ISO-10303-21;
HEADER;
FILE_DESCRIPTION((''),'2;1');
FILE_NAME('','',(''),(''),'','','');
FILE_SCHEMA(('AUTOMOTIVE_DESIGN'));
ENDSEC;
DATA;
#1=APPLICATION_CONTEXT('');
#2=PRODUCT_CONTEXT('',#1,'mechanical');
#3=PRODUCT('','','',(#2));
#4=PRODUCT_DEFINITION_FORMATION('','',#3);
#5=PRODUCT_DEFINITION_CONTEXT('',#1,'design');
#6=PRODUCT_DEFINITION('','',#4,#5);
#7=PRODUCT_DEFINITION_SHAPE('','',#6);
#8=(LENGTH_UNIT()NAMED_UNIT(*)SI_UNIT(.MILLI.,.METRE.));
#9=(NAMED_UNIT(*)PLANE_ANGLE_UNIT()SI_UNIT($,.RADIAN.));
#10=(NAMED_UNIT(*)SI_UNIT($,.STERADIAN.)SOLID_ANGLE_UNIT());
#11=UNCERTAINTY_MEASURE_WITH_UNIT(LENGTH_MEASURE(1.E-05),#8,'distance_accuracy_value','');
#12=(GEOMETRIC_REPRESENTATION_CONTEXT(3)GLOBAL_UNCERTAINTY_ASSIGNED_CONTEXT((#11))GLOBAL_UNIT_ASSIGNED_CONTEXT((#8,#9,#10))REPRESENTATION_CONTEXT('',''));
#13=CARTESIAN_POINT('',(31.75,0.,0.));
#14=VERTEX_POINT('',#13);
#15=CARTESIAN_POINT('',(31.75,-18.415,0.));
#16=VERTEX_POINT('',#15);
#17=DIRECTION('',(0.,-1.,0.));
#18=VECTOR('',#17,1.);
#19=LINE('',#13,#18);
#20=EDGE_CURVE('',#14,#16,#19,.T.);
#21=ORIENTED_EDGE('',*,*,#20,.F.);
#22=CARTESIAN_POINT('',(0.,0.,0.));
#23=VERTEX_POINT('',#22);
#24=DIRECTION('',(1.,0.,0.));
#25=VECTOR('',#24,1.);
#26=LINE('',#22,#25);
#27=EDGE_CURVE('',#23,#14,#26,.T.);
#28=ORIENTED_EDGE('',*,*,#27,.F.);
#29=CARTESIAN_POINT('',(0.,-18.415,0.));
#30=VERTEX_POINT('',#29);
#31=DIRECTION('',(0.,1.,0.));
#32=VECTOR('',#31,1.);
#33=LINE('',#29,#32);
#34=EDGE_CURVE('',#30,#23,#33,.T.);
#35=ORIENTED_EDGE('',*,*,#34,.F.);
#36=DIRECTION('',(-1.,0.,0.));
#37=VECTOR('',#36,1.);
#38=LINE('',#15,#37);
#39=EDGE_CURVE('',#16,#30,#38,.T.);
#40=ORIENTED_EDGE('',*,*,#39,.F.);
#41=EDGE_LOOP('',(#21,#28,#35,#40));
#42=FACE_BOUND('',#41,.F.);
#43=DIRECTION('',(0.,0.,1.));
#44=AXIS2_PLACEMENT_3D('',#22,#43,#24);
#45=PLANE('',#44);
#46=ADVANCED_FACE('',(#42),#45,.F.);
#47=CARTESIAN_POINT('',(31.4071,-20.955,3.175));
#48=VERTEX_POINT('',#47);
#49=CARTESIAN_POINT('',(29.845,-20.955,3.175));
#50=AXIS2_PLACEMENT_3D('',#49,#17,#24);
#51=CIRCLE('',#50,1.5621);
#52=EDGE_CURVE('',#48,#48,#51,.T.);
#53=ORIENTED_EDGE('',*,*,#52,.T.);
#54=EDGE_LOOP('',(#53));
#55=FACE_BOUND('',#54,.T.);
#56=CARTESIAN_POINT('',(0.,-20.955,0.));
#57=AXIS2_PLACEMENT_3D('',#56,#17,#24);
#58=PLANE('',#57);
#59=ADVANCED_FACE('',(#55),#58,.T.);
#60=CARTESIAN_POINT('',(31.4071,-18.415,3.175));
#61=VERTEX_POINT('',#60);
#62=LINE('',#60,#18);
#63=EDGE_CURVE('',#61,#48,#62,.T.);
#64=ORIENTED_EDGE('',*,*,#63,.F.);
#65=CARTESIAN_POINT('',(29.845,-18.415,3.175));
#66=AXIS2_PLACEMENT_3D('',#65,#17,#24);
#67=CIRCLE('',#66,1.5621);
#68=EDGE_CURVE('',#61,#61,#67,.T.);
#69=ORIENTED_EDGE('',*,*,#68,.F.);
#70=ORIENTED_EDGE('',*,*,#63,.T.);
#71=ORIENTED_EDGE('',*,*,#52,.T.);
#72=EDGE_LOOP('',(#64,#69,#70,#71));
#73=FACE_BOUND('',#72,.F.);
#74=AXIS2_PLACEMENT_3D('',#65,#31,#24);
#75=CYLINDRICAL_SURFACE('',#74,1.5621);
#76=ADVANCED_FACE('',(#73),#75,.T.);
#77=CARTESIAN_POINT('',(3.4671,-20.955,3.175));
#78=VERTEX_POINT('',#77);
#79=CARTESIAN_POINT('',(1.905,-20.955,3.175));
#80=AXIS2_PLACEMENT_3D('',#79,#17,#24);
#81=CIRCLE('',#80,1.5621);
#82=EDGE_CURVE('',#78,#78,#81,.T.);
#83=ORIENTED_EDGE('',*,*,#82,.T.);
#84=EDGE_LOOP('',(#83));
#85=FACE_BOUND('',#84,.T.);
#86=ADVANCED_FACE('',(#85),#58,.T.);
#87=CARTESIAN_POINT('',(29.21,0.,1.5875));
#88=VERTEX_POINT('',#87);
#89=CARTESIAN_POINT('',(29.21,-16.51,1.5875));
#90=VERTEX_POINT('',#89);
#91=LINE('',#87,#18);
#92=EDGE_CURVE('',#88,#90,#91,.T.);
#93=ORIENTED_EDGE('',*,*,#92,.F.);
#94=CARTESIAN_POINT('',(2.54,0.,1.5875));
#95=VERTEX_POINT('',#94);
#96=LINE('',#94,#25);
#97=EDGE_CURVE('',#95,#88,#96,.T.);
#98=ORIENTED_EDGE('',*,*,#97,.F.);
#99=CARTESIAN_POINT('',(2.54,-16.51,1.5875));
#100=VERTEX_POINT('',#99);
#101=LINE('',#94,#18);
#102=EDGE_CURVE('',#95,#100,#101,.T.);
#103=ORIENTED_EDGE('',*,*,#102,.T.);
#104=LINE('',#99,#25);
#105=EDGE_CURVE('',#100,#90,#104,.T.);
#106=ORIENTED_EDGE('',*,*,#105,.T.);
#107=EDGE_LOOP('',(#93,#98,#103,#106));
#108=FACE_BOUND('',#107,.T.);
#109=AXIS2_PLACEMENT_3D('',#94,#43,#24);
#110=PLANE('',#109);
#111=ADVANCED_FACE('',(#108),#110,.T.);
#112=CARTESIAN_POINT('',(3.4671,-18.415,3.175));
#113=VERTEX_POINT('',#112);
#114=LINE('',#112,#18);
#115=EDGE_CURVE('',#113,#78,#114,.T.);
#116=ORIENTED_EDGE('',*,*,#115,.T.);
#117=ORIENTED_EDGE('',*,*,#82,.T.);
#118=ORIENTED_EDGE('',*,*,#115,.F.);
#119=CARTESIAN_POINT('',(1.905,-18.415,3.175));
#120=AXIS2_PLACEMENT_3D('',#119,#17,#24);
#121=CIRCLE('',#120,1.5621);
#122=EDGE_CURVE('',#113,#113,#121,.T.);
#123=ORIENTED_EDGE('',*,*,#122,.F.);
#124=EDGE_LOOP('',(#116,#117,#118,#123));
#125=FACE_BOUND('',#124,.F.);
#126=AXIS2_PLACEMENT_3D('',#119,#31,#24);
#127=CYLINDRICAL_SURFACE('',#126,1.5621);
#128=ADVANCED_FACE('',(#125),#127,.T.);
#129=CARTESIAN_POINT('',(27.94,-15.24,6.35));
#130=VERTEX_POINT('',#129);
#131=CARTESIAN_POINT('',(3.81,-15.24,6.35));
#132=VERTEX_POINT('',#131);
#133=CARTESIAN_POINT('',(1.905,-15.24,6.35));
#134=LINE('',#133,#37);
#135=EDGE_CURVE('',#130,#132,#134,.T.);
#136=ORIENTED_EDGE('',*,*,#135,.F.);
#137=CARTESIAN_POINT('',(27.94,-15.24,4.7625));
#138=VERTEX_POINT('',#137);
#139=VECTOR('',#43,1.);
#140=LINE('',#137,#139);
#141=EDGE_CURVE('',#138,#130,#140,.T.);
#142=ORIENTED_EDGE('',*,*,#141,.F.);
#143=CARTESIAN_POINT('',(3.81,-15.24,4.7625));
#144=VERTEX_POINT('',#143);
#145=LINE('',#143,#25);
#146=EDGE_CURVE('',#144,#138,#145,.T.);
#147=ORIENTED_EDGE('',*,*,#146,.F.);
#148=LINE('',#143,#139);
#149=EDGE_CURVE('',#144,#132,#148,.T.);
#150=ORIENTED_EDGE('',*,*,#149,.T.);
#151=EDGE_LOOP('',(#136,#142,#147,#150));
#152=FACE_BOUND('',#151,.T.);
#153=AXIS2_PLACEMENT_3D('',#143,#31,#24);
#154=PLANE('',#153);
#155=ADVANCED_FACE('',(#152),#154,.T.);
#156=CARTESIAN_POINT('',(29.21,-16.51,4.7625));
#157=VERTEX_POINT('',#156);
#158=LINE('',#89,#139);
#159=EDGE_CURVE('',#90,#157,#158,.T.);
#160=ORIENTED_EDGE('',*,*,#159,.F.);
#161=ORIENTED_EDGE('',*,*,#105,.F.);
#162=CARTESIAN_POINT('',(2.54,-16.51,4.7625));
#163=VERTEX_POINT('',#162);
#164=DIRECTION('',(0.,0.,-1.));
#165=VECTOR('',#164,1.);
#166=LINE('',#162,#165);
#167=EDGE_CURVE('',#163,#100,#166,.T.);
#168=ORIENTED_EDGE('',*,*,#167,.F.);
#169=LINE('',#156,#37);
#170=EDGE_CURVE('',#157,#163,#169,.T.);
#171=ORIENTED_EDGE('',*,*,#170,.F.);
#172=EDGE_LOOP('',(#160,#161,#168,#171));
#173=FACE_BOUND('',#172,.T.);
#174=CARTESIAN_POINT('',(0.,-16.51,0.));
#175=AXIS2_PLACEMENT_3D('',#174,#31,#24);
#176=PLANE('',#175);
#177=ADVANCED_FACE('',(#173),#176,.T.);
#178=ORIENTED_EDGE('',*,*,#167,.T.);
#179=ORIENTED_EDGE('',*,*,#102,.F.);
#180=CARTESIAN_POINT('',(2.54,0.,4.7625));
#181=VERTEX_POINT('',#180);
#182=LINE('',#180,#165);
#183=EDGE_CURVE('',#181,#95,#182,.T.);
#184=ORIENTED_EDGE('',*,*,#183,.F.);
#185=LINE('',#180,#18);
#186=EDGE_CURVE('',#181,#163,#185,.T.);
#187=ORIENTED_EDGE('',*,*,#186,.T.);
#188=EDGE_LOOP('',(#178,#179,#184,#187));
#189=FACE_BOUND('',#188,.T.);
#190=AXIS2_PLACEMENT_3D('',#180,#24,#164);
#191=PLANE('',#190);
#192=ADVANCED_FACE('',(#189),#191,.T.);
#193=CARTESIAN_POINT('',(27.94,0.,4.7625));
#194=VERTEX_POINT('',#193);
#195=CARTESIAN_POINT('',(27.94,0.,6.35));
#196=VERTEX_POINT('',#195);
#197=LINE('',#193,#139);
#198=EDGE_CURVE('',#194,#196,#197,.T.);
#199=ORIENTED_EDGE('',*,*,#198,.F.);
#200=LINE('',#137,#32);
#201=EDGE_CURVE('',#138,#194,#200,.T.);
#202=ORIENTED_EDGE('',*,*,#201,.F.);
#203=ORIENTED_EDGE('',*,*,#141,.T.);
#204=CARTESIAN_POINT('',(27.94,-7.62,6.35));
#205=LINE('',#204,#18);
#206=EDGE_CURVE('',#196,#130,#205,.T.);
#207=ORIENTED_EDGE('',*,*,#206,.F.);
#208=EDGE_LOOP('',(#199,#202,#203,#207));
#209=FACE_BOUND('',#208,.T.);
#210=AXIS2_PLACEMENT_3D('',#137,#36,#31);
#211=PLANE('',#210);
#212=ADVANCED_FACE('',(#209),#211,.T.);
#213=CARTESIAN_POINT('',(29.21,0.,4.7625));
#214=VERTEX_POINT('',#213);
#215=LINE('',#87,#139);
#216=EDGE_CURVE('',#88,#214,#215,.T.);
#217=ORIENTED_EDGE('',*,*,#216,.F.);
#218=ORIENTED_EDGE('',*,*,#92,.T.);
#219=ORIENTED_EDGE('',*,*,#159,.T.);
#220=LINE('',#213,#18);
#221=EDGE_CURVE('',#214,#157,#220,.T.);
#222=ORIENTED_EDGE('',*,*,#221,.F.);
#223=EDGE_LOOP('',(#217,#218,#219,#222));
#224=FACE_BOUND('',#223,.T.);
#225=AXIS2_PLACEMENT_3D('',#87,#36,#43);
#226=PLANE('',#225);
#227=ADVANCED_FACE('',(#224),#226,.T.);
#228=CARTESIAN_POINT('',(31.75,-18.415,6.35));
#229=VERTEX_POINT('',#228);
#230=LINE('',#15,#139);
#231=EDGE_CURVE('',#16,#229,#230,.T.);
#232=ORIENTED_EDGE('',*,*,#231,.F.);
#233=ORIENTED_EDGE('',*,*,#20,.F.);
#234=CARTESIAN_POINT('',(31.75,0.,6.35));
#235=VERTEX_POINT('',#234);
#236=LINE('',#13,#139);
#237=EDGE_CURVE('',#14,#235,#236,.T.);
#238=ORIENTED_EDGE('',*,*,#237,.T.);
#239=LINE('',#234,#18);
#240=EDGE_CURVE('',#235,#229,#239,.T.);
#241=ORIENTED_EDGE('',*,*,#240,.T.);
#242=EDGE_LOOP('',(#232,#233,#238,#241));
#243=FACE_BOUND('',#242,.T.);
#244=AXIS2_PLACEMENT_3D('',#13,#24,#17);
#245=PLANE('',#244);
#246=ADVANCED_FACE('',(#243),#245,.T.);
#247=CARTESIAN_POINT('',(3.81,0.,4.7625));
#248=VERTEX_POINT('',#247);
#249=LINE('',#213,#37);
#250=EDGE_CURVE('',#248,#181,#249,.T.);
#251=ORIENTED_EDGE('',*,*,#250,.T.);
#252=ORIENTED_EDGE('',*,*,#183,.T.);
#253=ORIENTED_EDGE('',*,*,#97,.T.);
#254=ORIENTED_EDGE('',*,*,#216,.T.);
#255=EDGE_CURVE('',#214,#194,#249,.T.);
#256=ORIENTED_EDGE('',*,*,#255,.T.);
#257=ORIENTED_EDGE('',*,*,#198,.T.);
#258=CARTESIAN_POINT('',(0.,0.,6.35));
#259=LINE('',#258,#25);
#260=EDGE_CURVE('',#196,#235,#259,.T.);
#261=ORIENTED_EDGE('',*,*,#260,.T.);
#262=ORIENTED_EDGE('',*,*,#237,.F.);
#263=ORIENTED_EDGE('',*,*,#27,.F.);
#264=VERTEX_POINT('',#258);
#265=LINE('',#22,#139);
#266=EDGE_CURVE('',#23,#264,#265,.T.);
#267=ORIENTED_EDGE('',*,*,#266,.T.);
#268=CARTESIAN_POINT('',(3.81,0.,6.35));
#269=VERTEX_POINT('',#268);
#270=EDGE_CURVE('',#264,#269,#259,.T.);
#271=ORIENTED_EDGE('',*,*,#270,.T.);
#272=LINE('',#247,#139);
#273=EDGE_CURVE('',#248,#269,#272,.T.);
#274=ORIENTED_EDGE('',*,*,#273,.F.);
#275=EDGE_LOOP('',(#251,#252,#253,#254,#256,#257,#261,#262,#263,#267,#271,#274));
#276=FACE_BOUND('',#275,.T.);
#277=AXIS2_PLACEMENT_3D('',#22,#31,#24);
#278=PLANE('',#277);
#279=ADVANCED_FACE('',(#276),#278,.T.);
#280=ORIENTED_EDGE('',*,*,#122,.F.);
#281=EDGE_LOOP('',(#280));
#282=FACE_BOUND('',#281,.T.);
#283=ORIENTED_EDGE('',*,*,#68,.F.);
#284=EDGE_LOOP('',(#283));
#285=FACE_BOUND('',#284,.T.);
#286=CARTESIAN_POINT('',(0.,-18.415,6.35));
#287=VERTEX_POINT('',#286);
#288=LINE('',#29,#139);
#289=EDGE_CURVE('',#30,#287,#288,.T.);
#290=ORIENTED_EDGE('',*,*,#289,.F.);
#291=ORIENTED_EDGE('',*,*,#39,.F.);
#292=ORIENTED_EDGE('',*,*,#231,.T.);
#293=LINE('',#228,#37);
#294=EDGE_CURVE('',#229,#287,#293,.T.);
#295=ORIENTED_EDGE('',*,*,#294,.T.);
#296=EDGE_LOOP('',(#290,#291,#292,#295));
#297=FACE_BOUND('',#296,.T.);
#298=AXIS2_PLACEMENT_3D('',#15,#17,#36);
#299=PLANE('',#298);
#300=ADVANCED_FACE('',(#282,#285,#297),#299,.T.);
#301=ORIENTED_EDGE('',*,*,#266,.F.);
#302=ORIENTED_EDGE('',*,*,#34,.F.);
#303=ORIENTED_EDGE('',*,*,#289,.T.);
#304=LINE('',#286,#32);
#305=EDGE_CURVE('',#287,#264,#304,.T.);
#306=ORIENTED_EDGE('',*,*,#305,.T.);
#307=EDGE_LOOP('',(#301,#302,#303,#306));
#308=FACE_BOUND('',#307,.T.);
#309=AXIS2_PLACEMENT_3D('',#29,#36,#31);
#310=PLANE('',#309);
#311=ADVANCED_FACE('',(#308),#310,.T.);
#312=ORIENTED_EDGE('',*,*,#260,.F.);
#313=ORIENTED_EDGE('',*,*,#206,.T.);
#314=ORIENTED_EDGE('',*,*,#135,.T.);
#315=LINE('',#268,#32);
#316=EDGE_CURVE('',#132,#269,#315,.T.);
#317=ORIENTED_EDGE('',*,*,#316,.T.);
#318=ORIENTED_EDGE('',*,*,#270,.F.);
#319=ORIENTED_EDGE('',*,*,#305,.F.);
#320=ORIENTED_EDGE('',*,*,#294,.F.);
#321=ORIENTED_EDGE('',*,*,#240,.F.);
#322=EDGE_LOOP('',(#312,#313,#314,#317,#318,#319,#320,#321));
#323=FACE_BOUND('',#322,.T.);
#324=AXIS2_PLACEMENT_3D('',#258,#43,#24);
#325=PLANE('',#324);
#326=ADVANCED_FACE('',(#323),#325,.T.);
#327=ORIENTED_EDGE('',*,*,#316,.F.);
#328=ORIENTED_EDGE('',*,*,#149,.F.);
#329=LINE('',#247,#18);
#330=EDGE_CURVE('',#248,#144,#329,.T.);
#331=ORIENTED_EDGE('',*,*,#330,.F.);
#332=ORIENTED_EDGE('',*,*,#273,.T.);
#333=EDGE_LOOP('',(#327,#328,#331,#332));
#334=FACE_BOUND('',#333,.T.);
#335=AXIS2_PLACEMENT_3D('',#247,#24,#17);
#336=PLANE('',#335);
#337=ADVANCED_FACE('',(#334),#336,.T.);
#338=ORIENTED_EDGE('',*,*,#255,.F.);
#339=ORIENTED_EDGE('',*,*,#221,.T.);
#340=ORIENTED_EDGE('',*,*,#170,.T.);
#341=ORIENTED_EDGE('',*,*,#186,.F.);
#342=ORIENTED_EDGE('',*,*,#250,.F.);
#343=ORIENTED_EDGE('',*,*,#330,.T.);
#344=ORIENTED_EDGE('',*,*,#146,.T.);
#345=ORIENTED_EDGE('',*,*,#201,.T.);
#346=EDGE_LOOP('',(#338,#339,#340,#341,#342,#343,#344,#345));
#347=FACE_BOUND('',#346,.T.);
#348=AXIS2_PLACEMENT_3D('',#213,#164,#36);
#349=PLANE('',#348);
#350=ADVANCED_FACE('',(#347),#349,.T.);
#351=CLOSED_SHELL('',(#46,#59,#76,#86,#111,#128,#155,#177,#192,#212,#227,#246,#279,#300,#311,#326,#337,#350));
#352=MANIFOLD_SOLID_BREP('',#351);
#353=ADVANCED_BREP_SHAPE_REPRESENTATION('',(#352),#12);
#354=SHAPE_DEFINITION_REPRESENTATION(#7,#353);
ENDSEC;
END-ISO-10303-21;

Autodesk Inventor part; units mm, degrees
ref_plane "YZ Plane" through (0, 0, 0) normal (1, 0, 0) x (0, 1, 0)
ref_plane "XZ Plane" through (0, 0, 0) normal (0, 1, 0) x (-1, 0, 0)
ref_plane "XY Plane" through (0, 0, 0) normal (0, 0, 1) x (1, 0, 0)
sketch "Sketch1" plane through (0, 0, 0) normal (0, 0, 1) x (1, 0, 0)
  line L0 (0, 0) -> (31.75, 0)
  line L1 (31.75, 0) -> (31.75, -18.415)
  line L2 (31.75, -18.415) -> (0, -18.415)
  line L3 (0, -18.415) -> (0, 0)
  dimension "d0" = 31.75
  dimension "d1" = 18.415
extrude "Extrusion1" add sketch "Sketch1" along normal blind 6.35
sketch "Sketch2" plane through (0, 0, 0) normal (0, 1, 0) x (1, 0, 0)
  line L0 (2.54, -1.5875) -> (29.21, -1.5875)
  line L1 (29.21, -1.5875) -> (29.21, -4.7625)
  line L2 (29.21, -4.7625) -> (2.54, -4.7625)
  line L3 (2.54, -4.7625) -> (2.54, -1.5875)
  line L4 (0, 0) -> (0, -6.35) projected
  line L5 (31.75, -6.35) -> (0, -6.35) projected
  dimension "d4" = 26.67
  dimension "d5" = 2.54
  dimension "d6" = 3.175
  dimension "d7" = 1.5875
extrude "Extrusion2" cut sketch "Sketch2" against normal blind 16.51
sketch "Sketch3" plane through (29.21, 0, 4.7625) normal (0, 0, -1) x (-1, 0, 0)
  line L0 (1.27, 0) -> (25.4, 0)
  line L1 (25.4, 0) -> (25.4, -15.24)
  line L2 (25.4, -15.24) -> (1.27, -15.24)
  line L3 (1.27, -15.24) -> (1.27, 0)
  line L4 (26.67, -16.51) -> (0, -16.51) projected
  line L5 (26.67, 0) -> (26.67, -16.51) projected
  line L6 (0, 0) -> (0, -16.51) projected
  line L7 (0, 0) -> (26.67, 0) projected
  point P0 (29.21, 0)
  dimension "d10" = 1.27
  dimension "d11" = 1.27
  dimension "d12" = 1.27
  dimension "d13" = 0
extrude "Extrusion3" cut sketch "Sketch3" against normal blind 16.51 contours L0 L1 L2 L3
sketch "Sketch4" plane through (0, -18.415, 0) normal (0, -1, 0) x (1, 0, 0)
  circle A0 centre (1.905, 3.175) radius 1.5621
  circle A1 centre (29.845, 3.175) radius 1.5621
  line L0 (0, 6.35) -> (31.75, 6.35) projected
  line L1 (0, 0) -> (0, 6.35) projected
  dimension "d16" = 3.1242
  dimension "d17" = 3.1242
  dimension "d18" = 3.175
  dimension "d19" = 3.175
  dimension "d20" = 27.94
  dimension "d21" = 1.905
extrude "Extrusion4" add sketch "Sketch4" along normal blind 2.54
properties part number "CameraMount" material "ABS Plastic"
